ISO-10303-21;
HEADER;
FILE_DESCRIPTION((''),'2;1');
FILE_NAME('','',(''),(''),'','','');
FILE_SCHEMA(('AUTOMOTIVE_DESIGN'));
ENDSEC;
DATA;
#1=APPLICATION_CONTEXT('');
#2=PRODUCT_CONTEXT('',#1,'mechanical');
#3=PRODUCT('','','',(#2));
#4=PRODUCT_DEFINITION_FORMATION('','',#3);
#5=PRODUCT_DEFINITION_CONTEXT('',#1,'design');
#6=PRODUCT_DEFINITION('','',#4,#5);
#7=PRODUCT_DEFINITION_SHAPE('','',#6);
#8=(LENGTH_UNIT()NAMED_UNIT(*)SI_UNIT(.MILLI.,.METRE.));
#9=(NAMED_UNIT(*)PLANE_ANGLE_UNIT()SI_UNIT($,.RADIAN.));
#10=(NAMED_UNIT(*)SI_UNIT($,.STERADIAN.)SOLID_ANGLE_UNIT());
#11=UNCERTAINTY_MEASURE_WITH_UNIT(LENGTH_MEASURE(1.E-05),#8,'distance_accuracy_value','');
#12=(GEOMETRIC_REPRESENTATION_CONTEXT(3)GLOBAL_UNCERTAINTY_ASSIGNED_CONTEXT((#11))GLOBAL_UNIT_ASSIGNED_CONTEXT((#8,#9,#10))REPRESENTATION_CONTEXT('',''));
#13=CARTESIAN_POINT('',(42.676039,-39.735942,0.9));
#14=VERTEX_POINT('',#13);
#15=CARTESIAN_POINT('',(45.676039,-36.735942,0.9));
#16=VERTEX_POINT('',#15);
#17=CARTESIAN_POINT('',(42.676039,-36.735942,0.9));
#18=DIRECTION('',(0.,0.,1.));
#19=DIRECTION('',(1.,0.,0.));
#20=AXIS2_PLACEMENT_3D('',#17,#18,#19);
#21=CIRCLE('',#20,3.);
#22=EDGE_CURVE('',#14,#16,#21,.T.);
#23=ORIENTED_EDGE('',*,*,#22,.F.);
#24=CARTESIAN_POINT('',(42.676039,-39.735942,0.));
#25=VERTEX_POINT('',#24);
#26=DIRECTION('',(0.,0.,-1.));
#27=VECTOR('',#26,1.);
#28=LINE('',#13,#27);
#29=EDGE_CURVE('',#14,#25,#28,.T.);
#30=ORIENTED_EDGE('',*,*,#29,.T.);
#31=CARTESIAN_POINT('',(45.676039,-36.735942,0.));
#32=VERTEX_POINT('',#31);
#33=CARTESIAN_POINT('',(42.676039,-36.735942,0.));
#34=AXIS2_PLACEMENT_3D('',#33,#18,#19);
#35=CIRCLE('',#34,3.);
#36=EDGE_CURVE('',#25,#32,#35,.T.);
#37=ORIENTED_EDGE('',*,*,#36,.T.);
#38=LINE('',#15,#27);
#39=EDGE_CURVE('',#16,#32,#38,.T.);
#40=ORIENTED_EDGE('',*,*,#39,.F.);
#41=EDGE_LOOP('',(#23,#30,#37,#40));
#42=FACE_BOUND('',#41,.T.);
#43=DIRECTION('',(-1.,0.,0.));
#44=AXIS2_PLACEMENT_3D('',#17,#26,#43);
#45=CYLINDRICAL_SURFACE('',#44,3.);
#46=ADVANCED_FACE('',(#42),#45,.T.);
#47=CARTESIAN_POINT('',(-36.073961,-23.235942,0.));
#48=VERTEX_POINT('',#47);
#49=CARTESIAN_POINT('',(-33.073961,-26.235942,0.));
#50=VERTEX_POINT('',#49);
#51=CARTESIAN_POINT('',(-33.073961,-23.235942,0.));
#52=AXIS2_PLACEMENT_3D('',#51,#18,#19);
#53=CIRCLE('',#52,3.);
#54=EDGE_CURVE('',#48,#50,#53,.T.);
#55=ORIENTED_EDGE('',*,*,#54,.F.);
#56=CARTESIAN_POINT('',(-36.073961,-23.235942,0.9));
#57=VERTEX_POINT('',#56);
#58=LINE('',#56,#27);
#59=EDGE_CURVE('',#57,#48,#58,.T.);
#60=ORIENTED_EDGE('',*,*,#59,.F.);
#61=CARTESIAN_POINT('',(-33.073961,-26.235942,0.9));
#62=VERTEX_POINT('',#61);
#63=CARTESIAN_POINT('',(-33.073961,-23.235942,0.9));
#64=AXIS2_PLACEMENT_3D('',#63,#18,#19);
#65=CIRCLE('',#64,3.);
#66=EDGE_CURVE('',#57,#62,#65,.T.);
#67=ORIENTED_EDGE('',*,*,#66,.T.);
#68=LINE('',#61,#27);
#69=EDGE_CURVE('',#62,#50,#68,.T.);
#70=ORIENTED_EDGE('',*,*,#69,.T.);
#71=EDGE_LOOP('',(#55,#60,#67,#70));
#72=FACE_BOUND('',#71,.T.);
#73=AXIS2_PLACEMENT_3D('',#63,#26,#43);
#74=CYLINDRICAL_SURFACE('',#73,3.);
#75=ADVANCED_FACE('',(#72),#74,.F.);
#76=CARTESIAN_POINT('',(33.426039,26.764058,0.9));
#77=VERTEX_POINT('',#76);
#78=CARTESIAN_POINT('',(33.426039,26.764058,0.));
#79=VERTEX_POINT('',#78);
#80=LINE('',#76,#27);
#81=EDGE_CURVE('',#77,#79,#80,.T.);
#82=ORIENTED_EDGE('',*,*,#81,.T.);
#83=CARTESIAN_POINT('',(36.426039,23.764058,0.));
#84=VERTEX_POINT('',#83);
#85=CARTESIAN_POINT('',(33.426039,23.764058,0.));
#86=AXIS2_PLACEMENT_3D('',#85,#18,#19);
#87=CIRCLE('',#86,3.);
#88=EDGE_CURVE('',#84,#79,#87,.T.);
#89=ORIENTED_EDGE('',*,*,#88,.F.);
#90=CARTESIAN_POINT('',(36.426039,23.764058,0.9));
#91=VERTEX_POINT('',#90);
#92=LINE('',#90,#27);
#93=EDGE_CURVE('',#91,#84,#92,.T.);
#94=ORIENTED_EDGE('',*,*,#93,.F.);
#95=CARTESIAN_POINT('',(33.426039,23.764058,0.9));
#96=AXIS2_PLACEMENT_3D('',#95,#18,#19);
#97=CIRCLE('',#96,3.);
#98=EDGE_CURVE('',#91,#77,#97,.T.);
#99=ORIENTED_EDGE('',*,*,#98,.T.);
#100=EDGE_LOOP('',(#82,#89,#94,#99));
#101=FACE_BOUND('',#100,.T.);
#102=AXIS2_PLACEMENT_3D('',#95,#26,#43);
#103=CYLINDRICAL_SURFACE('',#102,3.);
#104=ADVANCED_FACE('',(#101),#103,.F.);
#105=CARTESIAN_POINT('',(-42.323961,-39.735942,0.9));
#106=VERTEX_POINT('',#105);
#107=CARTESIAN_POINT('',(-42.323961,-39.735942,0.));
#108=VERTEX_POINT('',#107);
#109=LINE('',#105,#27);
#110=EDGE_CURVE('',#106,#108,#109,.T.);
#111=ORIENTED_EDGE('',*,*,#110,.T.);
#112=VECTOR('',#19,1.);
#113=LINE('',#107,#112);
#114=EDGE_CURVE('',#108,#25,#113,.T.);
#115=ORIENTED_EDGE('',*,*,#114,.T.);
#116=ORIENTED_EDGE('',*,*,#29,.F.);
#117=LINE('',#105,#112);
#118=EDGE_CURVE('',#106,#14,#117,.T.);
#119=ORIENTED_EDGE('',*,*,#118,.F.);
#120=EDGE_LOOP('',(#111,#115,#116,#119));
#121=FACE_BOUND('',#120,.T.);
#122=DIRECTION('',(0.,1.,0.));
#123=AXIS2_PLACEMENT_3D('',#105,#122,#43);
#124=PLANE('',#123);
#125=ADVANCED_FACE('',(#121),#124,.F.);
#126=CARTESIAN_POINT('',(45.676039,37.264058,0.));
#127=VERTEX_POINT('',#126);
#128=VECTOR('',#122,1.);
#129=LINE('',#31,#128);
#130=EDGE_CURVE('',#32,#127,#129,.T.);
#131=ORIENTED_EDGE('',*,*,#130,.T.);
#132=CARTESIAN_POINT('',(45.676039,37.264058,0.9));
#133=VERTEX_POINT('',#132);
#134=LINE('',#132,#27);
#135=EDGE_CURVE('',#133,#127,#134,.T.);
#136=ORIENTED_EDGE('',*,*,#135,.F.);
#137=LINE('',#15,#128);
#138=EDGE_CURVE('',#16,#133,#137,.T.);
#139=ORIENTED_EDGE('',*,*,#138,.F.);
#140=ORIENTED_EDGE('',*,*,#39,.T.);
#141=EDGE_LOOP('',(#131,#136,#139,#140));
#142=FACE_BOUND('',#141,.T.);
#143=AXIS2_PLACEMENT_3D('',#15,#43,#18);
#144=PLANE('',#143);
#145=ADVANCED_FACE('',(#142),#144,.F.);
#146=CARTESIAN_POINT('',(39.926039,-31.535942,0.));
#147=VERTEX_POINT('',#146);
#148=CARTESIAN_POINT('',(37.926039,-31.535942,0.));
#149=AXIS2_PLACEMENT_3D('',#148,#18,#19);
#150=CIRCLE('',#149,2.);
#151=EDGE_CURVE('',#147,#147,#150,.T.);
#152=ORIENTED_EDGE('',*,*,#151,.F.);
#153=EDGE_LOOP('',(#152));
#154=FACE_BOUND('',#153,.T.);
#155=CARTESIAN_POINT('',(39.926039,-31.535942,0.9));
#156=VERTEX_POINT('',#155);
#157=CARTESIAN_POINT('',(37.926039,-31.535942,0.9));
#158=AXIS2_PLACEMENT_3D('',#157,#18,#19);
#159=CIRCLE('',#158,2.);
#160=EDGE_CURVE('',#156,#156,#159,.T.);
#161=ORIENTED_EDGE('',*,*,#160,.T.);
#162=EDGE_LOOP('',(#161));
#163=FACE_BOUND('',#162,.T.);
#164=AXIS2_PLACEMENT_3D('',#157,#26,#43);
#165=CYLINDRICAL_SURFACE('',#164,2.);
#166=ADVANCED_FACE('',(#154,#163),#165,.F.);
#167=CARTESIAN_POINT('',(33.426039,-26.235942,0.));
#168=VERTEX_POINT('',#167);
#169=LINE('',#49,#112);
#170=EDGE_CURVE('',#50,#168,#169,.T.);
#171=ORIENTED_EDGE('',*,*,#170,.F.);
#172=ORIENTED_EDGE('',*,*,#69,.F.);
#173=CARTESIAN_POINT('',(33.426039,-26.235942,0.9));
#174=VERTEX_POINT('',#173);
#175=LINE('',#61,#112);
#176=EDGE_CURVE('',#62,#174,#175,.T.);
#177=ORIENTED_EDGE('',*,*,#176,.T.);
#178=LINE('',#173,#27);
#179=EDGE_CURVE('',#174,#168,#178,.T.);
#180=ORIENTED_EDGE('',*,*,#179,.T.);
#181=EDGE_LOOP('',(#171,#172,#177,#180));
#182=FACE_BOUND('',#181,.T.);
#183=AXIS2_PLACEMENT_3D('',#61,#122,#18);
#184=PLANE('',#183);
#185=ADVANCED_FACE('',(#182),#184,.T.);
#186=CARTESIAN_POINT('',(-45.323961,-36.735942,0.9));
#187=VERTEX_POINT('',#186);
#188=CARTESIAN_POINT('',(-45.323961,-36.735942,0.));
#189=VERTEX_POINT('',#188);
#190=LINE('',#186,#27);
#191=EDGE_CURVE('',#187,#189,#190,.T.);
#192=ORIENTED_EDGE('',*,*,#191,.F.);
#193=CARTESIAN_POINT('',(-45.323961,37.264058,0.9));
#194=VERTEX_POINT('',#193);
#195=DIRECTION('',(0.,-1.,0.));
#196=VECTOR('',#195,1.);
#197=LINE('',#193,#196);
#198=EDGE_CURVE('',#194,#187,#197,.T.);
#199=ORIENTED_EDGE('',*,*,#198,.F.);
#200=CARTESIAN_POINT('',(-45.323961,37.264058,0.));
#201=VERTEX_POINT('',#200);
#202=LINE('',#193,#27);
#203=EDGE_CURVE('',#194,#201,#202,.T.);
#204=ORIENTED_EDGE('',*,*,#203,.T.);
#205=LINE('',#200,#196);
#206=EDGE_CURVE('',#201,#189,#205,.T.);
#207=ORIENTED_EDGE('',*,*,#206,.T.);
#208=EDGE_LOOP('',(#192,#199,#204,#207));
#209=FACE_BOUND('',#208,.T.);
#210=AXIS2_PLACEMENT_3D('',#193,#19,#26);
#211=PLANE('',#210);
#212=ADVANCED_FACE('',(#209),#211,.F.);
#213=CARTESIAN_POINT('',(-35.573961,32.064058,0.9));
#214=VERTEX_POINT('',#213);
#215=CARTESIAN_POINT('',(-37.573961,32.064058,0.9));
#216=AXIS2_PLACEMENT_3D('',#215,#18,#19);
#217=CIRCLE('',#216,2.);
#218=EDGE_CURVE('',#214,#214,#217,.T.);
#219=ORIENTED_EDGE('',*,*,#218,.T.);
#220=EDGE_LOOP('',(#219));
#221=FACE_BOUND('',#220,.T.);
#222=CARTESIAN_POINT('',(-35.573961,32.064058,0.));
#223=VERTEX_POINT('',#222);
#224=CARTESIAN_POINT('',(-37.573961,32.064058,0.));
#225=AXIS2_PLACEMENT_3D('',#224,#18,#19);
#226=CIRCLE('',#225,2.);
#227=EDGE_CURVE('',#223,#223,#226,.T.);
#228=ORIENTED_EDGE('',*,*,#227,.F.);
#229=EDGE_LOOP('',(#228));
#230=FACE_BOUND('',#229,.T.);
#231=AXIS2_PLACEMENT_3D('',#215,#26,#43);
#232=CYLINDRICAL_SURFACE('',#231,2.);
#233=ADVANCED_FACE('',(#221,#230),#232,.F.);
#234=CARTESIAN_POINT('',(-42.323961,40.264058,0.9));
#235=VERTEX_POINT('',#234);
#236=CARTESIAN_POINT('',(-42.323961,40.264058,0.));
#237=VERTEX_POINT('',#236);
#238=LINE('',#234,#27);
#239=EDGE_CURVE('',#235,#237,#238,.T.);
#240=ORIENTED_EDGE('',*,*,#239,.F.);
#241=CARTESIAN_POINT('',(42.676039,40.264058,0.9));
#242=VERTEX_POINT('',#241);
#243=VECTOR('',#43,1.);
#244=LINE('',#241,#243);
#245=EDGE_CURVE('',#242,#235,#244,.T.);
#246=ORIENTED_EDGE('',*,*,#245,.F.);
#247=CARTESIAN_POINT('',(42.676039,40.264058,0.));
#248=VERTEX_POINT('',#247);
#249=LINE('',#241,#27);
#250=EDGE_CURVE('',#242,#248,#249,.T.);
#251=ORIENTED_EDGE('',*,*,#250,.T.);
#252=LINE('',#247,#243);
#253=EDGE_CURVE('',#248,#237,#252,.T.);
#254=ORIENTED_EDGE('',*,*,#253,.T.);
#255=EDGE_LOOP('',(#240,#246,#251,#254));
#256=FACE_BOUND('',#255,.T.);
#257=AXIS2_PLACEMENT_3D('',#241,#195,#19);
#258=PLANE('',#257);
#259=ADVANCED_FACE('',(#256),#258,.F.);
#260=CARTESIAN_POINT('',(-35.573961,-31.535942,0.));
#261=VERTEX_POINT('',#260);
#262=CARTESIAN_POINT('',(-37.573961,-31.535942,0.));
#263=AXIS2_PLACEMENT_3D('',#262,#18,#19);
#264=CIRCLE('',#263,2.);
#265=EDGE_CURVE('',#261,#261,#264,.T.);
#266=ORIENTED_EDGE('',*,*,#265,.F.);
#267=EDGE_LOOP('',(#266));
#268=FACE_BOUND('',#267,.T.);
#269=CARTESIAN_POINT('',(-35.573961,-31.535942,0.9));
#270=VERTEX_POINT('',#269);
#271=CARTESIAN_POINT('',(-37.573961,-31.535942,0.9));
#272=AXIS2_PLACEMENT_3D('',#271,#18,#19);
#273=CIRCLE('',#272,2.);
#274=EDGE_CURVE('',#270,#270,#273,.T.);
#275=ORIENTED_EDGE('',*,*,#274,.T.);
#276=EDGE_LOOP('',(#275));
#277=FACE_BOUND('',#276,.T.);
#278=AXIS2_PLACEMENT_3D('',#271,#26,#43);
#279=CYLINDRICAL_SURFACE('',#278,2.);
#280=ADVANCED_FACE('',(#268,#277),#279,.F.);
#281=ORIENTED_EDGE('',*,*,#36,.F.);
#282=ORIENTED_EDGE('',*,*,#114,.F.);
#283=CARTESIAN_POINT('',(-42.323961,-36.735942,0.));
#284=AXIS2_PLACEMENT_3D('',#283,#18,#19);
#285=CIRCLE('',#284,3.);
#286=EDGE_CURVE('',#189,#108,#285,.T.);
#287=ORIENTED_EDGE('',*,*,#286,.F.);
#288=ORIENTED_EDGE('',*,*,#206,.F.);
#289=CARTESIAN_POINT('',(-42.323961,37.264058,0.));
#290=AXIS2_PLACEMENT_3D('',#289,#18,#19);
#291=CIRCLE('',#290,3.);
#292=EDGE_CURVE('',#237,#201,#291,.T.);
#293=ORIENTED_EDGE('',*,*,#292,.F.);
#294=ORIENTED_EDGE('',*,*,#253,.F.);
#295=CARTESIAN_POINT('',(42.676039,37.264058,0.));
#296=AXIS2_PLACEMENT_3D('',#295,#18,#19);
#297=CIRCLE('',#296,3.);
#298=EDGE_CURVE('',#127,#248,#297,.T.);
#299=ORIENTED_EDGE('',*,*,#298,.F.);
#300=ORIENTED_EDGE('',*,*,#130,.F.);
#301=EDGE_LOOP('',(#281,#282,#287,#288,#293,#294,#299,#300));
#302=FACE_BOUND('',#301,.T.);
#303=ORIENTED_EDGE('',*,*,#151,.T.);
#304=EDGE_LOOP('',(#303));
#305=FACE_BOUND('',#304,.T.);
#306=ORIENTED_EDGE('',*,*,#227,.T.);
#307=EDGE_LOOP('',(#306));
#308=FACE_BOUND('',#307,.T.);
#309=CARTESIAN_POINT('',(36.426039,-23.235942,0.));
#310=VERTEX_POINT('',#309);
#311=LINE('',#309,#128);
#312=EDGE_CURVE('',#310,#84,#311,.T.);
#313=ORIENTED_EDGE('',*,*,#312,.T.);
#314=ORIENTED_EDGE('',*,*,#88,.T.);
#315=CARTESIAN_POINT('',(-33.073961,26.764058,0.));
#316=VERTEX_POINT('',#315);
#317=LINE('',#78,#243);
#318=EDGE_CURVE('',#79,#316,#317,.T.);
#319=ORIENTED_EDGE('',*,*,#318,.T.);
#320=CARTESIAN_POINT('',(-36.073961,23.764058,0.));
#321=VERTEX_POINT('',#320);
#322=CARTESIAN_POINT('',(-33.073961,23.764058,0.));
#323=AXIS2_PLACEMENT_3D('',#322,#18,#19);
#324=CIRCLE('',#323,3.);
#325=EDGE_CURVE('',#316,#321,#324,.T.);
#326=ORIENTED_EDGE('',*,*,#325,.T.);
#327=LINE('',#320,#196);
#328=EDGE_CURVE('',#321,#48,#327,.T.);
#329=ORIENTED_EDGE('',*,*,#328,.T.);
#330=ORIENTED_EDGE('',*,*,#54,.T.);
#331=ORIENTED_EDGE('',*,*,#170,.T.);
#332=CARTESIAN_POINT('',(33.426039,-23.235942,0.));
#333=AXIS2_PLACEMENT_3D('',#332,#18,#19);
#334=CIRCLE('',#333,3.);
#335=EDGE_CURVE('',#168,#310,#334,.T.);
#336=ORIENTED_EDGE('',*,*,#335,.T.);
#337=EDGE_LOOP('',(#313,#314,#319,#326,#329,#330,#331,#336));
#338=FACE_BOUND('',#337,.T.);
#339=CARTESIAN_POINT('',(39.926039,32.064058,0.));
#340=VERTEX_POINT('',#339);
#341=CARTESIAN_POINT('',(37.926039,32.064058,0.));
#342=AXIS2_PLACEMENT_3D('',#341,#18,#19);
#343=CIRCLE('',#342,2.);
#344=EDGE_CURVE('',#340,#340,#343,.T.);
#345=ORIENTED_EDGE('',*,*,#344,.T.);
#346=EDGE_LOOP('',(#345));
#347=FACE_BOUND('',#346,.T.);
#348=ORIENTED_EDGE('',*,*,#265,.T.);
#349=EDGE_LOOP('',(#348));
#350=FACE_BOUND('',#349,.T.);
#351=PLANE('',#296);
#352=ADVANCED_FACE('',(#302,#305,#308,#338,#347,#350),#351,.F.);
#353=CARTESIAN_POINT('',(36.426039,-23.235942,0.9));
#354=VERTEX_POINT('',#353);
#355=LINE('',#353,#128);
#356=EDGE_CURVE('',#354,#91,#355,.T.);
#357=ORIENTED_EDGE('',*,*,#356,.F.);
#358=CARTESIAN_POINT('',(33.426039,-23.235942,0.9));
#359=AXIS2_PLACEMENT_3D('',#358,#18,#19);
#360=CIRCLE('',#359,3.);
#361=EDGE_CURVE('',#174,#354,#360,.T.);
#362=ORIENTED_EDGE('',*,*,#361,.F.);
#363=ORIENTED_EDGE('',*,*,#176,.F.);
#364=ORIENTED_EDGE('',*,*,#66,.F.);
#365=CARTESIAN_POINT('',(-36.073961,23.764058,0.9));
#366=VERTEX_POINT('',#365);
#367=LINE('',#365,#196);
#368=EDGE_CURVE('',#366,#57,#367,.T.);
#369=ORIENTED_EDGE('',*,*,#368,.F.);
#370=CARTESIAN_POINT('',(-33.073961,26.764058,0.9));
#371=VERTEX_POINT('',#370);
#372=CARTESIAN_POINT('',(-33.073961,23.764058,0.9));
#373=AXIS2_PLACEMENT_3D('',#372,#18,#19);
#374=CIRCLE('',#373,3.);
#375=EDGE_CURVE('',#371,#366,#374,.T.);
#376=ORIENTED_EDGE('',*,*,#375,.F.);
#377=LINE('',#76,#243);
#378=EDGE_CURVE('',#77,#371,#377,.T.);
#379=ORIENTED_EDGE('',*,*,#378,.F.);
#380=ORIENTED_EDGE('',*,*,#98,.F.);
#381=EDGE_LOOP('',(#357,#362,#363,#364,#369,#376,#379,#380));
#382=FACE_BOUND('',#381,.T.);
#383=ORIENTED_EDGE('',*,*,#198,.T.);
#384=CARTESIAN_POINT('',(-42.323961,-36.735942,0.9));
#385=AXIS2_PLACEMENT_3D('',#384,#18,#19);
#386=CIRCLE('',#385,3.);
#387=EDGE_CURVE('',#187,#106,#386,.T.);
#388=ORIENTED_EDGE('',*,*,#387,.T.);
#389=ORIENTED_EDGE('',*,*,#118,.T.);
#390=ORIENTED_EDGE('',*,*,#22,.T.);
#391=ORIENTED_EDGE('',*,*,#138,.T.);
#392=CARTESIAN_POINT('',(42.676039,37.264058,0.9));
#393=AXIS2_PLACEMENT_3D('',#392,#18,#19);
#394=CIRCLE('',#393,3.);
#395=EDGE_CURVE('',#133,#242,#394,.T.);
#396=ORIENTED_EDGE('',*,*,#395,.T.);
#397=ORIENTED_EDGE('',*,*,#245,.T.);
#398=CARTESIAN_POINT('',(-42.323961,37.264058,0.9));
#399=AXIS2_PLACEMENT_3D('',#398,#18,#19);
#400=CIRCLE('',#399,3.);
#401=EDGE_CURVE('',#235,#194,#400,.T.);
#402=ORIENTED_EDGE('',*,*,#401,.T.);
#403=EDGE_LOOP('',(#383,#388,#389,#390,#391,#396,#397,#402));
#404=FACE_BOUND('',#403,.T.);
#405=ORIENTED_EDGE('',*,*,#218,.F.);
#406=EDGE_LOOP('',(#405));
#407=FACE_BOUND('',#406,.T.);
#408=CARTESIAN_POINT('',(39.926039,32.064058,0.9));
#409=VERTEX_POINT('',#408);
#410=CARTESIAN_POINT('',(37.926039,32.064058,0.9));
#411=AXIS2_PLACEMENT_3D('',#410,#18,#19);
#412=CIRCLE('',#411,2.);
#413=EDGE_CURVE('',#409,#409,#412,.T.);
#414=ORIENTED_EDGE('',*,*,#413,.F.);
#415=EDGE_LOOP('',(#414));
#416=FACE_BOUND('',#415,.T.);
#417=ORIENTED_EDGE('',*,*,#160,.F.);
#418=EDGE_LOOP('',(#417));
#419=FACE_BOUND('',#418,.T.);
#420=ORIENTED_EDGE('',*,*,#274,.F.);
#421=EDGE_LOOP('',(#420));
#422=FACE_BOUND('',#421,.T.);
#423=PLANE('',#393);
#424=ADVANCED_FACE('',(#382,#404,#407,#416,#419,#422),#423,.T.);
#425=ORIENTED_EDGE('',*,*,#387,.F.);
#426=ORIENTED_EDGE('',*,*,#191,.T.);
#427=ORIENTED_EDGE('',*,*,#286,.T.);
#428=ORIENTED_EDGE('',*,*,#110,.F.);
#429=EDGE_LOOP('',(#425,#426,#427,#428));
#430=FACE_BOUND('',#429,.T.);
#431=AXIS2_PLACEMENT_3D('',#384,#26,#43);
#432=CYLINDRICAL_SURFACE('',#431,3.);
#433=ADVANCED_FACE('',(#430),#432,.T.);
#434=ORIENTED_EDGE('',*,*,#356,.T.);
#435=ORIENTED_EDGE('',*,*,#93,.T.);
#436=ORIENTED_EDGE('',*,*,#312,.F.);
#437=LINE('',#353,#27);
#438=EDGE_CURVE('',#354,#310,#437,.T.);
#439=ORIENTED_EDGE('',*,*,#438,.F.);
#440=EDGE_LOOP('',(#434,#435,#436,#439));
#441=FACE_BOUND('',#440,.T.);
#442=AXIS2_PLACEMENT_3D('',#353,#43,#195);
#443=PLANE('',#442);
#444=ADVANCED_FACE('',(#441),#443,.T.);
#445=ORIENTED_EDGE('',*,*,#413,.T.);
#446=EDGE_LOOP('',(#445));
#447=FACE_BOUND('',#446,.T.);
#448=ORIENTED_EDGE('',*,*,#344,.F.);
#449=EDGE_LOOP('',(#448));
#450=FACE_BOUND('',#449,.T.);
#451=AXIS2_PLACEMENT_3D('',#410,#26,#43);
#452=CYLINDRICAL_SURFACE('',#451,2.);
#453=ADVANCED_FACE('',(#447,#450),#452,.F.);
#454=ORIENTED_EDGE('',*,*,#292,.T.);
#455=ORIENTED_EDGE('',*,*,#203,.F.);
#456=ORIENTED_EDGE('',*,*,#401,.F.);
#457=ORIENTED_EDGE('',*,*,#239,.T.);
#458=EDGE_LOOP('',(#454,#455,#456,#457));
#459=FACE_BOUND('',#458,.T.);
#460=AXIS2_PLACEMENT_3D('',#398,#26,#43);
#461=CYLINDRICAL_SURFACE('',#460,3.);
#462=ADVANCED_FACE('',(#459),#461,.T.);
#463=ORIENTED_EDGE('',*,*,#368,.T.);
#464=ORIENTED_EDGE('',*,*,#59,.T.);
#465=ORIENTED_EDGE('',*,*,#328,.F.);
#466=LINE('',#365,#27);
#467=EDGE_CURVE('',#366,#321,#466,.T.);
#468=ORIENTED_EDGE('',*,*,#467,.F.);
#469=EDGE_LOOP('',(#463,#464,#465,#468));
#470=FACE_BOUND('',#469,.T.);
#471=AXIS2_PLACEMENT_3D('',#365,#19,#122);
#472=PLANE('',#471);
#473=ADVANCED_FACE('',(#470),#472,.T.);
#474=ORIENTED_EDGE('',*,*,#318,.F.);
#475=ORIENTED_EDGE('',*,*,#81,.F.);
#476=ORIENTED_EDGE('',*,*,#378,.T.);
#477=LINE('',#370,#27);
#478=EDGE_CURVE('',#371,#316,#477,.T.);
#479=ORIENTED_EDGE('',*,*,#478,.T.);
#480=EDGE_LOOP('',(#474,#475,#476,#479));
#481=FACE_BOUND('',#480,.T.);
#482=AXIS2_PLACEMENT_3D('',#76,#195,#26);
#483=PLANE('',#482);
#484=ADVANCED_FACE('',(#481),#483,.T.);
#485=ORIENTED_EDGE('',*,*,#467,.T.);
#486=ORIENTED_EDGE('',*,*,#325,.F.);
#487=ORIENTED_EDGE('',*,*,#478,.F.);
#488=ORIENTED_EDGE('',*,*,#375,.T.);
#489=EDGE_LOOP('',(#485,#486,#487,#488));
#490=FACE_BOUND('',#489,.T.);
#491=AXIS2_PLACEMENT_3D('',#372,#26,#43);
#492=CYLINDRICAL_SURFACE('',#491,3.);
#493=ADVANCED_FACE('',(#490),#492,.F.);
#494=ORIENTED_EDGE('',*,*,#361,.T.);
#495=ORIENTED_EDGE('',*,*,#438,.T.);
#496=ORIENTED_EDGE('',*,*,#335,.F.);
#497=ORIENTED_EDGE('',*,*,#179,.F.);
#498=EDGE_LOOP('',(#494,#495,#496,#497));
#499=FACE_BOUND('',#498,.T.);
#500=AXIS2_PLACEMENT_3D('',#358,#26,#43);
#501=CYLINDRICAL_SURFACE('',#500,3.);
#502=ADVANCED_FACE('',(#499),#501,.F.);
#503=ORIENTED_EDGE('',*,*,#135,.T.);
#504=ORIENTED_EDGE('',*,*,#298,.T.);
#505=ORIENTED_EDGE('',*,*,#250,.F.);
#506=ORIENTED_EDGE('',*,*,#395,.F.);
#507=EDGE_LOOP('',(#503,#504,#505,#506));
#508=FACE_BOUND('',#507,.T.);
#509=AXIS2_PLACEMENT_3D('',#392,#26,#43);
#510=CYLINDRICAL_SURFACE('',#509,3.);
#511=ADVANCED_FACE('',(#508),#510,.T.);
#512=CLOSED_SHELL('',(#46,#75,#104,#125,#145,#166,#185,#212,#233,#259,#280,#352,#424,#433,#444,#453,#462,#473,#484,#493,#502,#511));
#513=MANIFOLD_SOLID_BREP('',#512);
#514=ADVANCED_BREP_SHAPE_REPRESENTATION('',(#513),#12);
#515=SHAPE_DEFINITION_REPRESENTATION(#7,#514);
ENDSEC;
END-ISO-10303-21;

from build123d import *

# Parameters (mm, degrees)
CROQUIS1_R              = 2
SALIENTE_EXTRUIR1_DEPTH = 0.9


with BuildPart() as part:
    # Croquis1 → Saliente-Extruir1 (new body)
    with BuildSketch(Plane.XY):
        with BuildLine():
            Line((-45.323961465, 37.264057802), (-45.323961465, -36.735942198))
            ThreePointArc((-45.323961465, -36.735942198), (-44.445281809, -38.857262541), (-42.323961465, -39.735942198))
            Line((-42.323961465, -39.735942198), (42.676038535, -39.735942198))
            ThreePointArc((42.676038535, -39.735942198), (44.797358878, -38.857262541), (45.676038535, -36.735942198))
            Line((45.676038535, -36.735942198), (45.676038535, 37.264057802))
            ThreePointArc((45.676038535, 37.264057802), (44.797358878, 39.385378146), (42.676038535, 40.264057802))
            Line((42.676038535, 40.264057802), (-42.323961465, 40.264057802))
            ThreePointArc((-42.323961465, 40.264057802), (-44.445281809, 39.385378146), (-45.323961465, 37.264057802))
        make_face()
        with Locations((-37.573961465, 32.064057802)):
            Circle(CROQUIS1_R, mode=Mode.SUBTRACT)
        with Locations((37.926038535, 32.064057802)):
            Circle(CROQUIS1_R, mode=Mode.SUBTRACT)
        with Locations((37.926038535, -31.535942198)):
            Circle(CROQUIS1_R, mode=Mode.SUBTRACT)
        with Locations((-37.573961465, -31.535942198)):
            Circle(CROQUIS1_R, mode=Mode.SUBTRACT)
        with BuildLine():
            Line((-33.073961465, -26.235942198), (33.426038535, -26.235942198))
            ThreePointArc((33.426038535, -26.235942198), (35.547358878, -25.357262541), (36.426038535, -23.235942198))
            Line((36.426038535, -23.235942198), (36.426038535, 23.764057802))
            ThreePointArc((36.426038535, 23.764057802), (35.547358878, 25.885378146), (33.426038535, 26.764057802))
            Line((33.426038535, 26.764057802), (-33.073961465, 26.764057802))
            ThreePointArc((-33.073961465, 26.764057802), (-35.195281809, 25.885378146), (-36.073961465, 23.764057802))
            Line((-36.073961465, 23.764057802), (-36.073961465, -23.235942198))
            ThreePointArc((-36.073961465, -23.235942198), (-35.195281809, -25.357262541), (-33.073961465, -26.235942198))
        make_face(mode=Mode.SUBTRACT)
    extrude(amount=SALIENTE_EXTRUIR1_DEPTH)


solid = part.part
